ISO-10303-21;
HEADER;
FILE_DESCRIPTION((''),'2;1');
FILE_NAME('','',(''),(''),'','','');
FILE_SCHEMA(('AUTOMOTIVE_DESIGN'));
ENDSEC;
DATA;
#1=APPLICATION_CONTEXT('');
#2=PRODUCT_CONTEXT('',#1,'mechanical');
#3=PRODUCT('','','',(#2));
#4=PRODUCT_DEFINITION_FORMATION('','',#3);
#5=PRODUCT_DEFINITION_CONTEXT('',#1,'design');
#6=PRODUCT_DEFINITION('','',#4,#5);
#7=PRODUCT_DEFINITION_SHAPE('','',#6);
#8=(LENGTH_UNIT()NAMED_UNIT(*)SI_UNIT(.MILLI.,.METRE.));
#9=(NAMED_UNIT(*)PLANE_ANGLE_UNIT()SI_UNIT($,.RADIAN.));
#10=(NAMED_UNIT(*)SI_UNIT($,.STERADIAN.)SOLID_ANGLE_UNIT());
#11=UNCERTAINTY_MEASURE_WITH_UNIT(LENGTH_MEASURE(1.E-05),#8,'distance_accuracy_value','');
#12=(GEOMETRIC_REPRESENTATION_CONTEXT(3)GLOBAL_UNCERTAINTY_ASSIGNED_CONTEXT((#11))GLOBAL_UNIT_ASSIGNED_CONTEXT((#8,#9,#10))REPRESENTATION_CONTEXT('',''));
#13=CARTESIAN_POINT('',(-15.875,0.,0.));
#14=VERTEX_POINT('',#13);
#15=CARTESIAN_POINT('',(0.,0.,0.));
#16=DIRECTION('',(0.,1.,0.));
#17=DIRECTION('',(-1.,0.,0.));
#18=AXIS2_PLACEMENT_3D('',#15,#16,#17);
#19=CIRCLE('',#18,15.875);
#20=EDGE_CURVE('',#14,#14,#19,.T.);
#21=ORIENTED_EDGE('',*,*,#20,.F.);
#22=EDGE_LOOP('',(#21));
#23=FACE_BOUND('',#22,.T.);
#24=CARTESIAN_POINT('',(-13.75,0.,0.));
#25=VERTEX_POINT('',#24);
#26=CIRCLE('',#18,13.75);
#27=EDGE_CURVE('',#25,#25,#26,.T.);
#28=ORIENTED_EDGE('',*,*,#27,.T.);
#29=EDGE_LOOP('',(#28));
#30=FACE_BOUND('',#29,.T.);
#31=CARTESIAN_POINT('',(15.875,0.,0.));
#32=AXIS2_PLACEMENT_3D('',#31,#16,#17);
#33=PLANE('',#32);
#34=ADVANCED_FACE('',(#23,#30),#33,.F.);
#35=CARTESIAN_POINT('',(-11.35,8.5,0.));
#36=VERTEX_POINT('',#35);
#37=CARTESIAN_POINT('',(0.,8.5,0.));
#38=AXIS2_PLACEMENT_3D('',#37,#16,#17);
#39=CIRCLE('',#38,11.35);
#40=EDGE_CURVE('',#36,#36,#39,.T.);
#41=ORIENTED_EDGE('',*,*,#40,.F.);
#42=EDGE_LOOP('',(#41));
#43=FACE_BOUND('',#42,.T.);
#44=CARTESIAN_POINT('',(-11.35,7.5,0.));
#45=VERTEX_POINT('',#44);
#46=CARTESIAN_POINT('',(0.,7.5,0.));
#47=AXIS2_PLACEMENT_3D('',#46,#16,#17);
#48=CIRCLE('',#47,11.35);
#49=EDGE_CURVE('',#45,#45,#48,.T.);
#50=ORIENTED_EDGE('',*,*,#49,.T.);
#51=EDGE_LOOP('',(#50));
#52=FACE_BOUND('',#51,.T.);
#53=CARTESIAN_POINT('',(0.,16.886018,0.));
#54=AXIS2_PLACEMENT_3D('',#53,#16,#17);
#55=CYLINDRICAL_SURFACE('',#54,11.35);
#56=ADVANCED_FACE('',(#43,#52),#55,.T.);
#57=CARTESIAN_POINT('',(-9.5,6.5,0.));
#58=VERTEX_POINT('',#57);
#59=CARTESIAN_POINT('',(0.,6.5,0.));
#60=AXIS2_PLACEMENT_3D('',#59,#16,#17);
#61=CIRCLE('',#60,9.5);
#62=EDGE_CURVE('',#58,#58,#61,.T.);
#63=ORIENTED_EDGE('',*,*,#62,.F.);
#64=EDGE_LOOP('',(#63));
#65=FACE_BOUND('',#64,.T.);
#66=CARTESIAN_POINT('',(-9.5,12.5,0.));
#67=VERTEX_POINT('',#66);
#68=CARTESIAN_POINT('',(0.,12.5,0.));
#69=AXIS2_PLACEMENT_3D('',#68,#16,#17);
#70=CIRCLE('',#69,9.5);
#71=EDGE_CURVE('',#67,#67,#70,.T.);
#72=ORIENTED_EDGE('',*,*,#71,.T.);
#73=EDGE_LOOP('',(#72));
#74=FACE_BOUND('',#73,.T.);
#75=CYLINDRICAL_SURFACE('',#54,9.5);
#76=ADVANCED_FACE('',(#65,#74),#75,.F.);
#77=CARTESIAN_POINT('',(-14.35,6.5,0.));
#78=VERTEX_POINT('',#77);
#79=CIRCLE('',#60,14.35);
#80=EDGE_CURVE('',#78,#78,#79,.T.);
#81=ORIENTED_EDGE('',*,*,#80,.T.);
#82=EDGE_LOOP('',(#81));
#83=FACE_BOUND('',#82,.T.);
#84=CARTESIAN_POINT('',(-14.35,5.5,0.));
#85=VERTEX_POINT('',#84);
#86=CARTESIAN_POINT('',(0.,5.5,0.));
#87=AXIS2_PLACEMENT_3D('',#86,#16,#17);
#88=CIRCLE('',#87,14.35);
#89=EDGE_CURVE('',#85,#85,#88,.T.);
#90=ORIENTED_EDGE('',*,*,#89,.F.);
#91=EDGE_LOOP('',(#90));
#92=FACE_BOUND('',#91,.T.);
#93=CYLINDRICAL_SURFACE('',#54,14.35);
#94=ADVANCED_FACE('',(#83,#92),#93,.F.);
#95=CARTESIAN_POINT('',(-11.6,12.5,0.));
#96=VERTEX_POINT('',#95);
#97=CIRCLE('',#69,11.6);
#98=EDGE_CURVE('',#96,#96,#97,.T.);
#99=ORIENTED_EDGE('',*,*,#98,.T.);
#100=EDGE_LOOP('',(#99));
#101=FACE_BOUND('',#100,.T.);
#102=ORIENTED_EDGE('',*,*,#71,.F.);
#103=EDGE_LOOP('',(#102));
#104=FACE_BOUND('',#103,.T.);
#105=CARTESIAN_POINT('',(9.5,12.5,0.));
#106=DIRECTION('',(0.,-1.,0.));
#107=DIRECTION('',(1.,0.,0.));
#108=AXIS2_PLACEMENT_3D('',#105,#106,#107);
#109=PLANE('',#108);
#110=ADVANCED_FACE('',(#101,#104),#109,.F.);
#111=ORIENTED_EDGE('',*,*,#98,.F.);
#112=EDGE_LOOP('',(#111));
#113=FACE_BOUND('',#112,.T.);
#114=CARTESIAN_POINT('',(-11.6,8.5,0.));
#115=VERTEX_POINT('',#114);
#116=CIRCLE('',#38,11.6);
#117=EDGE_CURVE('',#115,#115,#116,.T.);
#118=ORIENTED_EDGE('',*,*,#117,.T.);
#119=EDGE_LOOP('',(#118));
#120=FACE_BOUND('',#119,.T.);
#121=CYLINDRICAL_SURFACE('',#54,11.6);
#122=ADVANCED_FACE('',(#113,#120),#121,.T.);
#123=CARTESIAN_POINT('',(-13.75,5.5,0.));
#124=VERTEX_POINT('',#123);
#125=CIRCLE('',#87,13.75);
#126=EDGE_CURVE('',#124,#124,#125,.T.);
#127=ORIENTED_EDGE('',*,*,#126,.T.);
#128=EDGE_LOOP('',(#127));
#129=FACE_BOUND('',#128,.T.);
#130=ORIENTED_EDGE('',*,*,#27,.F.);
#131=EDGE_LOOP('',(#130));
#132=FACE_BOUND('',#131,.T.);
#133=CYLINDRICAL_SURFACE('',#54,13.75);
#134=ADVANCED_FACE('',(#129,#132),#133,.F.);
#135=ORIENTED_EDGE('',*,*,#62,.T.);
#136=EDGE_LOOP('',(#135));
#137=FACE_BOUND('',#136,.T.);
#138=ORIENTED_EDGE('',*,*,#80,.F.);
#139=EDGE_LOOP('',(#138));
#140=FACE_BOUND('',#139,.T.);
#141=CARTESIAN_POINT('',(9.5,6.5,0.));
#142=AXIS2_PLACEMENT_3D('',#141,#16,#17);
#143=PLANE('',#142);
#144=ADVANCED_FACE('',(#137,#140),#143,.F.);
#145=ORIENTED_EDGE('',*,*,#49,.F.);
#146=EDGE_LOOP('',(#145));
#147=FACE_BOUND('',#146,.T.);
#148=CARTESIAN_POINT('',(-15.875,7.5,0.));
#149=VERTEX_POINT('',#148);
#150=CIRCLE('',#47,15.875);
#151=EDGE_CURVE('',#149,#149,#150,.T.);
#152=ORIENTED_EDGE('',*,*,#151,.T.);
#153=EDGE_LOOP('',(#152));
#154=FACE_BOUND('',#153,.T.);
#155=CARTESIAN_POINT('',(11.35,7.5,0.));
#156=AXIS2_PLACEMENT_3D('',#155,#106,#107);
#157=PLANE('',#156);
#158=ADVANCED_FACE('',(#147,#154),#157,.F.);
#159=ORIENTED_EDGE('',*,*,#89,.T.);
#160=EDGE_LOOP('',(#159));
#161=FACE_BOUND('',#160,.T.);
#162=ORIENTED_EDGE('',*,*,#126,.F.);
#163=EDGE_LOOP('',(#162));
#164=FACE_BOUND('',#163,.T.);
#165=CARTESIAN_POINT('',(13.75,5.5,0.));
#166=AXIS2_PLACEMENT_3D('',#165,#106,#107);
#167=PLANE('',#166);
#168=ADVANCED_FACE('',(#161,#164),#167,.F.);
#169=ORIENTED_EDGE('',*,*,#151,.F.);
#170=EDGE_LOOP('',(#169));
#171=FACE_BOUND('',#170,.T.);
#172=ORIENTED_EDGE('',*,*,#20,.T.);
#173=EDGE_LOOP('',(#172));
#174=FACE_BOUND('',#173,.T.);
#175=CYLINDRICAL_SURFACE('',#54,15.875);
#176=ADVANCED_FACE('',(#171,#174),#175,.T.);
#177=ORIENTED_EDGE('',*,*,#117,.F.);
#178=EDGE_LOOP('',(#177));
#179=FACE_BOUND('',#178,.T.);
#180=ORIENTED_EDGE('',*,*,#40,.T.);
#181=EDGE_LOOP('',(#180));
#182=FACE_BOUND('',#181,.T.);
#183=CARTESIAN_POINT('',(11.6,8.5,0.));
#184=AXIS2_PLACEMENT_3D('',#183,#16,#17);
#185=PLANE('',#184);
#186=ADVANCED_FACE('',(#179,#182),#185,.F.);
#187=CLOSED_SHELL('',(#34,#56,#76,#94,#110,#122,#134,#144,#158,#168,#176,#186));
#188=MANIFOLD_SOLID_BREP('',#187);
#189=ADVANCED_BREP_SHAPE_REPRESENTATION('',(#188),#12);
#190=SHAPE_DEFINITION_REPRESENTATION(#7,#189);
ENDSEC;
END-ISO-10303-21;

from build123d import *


with BuildPart() as part:
    # 草图1 → 旋转1 (revolve)
    with BuildSketch(Plane.XY, mode=Mode.PRIVATE) as revolve_1_sk:
        Polygon((13.75, 0), (13.75, 5.5), (14.35, 5.5), (14.35, 6.5), (9.5, 6.5), (9.5, 12.5), (11.6, 12.5), (11.6, 8.5), (11.35, 8.5), (11.35, 7.5), (15.875, 7.5), (15.875, 0), align=None)
    revolve(revolve_1_sk.sketch.rotate(Axis((0, 16.886018237, 0), (0, -1, 0)), 180), axis=Axis((0, 16.886018237, 0), (0, -1, 0)))  # turned: the seam where the file's is


solid = part.part
